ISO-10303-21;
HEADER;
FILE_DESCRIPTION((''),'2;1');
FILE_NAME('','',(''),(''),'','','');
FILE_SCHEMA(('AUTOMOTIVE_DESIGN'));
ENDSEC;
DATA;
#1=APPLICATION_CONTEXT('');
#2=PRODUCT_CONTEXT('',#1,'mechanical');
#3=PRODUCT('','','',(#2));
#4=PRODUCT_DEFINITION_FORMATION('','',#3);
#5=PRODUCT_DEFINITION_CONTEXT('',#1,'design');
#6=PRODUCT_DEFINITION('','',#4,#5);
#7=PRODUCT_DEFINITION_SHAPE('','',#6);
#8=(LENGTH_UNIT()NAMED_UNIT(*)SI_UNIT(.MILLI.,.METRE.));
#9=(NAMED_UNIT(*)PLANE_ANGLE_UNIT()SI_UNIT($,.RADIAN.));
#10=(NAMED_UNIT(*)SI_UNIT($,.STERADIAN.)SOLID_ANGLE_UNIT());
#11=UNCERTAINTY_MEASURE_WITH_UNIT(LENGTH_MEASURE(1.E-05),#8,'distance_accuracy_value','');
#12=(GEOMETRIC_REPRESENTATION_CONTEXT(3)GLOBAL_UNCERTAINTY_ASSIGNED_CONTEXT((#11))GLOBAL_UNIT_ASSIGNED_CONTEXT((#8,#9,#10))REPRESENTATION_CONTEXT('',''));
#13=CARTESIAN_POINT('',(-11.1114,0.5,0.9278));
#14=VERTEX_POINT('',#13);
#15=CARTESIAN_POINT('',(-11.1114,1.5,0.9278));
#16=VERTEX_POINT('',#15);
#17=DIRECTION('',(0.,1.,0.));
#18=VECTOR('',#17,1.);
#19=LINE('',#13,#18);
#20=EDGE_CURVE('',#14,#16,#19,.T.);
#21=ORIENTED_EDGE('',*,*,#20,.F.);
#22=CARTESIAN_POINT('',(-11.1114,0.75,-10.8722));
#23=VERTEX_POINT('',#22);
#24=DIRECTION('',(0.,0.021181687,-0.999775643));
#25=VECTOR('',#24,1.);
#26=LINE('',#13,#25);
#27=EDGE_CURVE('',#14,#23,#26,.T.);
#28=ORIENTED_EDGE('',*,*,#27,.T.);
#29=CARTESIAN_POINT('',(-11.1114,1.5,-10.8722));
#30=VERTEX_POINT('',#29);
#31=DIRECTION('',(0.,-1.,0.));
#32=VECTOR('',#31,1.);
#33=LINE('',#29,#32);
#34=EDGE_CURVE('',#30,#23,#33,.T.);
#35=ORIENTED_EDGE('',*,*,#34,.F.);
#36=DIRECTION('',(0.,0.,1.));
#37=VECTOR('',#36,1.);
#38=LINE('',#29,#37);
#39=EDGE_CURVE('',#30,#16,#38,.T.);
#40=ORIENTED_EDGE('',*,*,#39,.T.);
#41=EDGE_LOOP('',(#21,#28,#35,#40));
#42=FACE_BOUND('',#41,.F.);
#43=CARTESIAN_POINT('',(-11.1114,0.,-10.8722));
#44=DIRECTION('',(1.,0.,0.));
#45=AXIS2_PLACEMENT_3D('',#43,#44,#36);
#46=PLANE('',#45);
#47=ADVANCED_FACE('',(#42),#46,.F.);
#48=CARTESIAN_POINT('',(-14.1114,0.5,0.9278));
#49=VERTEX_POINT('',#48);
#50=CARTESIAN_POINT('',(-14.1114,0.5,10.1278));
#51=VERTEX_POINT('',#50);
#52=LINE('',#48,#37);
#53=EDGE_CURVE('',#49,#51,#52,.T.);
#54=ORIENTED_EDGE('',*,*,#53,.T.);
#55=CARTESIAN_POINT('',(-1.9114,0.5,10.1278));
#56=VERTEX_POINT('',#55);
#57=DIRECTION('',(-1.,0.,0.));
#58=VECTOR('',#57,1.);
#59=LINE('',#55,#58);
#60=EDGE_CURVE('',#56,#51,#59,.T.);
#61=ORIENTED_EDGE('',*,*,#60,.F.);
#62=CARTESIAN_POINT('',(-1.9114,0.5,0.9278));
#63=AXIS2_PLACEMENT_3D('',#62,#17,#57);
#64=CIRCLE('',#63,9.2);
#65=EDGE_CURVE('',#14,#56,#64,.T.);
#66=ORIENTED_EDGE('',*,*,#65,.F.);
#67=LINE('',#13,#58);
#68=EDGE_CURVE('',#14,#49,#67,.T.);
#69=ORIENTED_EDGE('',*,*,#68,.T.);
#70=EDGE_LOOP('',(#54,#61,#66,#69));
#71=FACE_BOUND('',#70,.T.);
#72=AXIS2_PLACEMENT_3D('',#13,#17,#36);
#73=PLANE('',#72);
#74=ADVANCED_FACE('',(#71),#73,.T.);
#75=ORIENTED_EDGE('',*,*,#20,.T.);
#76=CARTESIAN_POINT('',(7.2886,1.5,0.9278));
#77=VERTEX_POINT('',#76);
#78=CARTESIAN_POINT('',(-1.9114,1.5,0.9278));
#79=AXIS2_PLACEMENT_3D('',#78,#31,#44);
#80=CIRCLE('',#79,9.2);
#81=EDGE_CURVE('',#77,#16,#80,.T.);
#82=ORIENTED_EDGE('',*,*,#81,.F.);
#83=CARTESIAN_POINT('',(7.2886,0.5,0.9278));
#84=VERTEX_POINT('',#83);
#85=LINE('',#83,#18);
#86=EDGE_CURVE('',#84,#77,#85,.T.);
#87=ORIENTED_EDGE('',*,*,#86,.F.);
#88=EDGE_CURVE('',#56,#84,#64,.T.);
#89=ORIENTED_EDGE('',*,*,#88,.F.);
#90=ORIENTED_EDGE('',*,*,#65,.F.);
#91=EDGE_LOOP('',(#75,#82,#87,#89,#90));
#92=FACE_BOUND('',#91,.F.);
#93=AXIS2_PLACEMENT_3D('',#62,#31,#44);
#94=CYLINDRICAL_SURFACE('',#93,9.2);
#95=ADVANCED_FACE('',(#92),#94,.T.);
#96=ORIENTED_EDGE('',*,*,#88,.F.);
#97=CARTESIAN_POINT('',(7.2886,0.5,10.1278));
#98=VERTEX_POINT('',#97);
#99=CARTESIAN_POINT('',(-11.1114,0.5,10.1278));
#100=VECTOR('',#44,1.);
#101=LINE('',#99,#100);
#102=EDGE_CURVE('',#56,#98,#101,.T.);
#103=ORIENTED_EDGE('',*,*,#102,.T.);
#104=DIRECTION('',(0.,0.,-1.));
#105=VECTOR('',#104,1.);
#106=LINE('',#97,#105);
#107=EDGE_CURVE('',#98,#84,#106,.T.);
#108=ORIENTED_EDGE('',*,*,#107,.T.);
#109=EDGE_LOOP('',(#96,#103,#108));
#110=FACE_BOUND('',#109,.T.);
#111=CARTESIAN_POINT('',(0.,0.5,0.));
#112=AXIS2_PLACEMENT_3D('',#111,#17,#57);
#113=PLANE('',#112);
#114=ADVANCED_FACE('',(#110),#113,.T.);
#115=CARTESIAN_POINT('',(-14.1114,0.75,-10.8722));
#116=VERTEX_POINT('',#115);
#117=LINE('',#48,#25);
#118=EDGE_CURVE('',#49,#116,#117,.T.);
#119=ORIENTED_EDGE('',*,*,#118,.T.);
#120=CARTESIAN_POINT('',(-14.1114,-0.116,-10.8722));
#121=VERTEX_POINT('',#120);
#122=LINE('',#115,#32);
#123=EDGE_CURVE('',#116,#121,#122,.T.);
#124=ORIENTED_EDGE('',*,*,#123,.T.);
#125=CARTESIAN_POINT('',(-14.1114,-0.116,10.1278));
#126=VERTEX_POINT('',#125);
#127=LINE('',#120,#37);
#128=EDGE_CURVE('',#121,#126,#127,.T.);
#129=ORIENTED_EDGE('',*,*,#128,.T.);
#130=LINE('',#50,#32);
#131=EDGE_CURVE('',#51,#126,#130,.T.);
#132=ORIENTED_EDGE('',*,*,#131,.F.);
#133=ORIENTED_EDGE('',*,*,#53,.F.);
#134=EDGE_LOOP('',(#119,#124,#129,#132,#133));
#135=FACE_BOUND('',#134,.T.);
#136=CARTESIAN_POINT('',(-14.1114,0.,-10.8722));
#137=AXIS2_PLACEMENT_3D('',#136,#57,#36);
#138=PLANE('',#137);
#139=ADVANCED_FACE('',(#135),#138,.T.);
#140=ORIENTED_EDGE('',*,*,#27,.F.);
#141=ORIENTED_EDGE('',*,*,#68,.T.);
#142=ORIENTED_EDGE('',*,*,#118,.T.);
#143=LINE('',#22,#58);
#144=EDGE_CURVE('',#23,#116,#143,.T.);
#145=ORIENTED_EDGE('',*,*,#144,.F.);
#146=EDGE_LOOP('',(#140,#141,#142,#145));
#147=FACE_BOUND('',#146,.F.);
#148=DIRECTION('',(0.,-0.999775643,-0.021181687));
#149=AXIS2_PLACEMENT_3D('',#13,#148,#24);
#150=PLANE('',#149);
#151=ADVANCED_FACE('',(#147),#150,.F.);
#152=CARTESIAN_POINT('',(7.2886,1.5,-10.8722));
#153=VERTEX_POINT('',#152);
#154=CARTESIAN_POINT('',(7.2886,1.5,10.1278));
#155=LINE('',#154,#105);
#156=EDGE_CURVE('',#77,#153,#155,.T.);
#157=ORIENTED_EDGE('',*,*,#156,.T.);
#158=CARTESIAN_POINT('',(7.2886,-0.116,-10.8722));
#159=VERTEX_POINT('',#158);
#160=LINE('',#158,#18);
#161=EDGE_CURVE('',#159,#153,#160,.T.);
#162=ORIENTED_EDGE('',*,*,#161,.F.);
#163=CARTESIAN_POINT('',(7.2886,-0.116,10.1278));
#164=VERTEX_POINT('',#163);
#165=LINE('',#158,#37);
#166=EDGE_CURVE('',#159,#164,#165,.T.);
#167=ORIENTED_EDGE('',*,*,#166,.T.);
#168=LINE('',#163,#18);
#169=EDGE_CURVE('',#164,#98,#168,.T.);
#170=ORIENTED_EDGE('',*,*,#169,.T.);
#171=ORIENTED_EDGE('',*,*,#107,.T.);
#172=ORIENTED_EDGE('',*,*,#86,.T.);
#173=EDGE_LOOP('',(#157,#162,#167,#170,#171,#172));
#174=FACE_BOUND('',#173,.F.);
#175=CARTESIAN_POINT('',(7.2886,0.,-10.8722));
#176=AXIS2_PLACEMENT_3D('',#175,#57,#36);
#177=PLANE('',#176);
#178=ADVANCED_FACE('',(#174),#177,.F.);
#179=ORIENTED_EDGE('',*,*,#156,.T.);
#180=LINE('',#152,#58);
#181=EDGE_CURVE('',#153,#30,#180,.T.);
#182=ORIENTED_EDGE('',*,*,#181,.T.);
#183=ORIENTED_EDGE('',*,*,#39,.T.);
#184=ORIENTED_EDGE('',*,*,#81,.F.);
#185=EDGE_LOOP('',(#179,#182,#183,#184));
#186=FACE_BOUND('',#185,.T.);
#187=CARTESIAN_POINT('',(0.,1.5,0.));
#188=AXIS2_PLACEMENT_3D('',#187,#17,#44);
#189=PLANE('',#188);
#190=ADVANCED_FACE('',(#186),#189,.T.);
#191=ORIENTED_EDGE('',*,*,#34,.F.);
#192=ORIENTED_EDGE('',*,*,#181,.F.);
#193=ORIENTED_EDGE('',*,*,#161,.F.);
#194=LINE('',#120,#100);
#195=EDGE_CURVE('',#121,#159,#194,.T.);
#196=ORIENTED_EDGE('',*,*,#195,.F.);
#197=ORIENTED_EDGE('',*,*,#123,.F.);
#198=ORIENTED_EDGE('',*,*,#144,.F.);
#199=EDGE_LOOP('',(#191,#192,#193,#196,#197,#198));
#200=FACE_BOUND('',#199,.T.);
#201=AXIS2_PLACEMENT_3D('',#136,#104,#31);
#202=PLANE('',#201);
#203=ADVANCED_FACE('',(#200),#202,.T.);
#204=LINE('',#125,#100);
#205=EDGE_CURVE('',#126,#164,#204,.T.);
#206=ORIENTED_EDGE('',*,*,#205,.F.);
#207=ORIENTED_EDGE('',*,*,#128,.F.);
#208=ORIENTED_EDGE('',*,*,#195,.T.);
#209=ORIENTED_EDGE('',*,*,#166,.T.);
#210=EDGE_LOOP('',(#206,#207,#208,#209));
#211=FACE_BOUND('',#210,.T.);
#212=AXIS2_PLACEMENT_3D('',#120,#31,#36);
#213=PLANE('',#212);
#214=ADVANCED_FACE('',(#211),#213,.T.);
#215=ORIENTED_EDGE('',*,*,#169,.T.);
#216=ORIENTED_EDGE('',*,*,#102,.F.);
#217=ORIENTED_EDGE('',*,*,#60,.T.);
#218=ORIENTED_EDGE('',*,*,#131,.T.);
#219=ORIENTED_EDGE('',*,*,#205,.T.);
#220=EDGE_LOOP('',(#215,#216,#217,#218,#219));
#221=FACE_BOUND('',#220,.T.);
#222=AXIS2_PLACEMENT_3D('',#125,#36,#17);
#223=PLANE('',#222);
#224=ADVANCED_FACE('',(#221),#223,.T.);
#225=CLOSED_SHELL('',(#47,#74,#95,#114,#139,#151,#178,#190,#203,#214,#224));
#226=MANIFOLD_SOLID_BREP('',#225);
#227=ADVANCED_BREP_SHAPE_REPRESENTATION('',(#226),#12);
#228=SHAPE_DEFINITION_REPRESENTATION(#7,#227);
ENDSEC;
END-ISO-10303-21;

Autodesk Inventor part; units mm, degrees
ref_plane "YZ Plane" through (0, 0, 0) normal (1, 0, 0) x (0, 1, 0)
ref_plane "XZ Plane" through (0, 0, 0) normal (0, 1, 0) x (-1, 0, 0)
ref_plane "XY Plane" through (0, 0, 0) normal (0, 0, 1) x (1, 0, 0)
sketch "Sketch1" plane through (0, 0, 0) normal (0, 0, 1) x (1, 0, 0)
  point P0 (0, 0)
sketch "Sketch2" plane through (0, 0, 0) normal (0, 1, 0) x (-1, 0, 0)
  line L0 (11.1114, 10.1278) -> (-7.2886, 10.1278)
  line L1 (-7.2886, 10.1278) -> (-7.2886, -10.8722)
  line L2 (-7.2886, -10.8722) -> (11.1114, -10.8722)
  line L3 (11.1114, -10.8722) -> (11.1114, 10.1278)
  point P0 (0, 0)
  dimension "d0" = 21
  dimension "d1" = 18.4
extrude "Extrusion1" add sketch "Sketch2" along normal blind 0.5
sketch "Sketch3" plane through (0, 0.5, 0) normal (0, 1, 0) x (1, 0, 0)
  circle A0 centre (-1.9114, -0.9278) radius 9.2
  line L0 (-11.1114, -10.1278) -> (7.2886, -10.1278) projected
  line L1 (7.2886, -10.1278) -> (7.2886, 10.8722) projected
  line L2 (7.2886, -10.1278) -> (7.2886, 10.8722) projected
  line L3 (7.2886, 10.8722) -> (-11.1114, 10.8722) projected
  line L4 (-11.1114, 10.8722) -> (-11.1114, -10.1278) projected
  line L5 (-11.1114, -10.1278) -> (7.2886, -10.1278) projected
  point P0 (0, 0)
  point P1 (-11.1114, -0.9278)
  point P2 (7.2886, -0.9278)
  dimension "d4" = 18.4
extrude "Extrusion2" add sketch "Sketch3" along normal blind 1 contours A0 | A0 L4 L3 L1
sketch "Sketch6" plane through (-11.1114, 0, -10.8722) normal (-1, 0, 0) x (0, 0, 1)
  line L0 (0, 0) -> (21, 0) projected
  line L1 (21, 0) -> (21, 0.5) projected
  line L2 (11.8, 0.5) -> (21, 0.5) projected
  line L3 (11.8, 0.5) -> (11.8, 1.5) projected
  line L4 (0, 1.5) -> (11.8, 1.5) projected
  line L5 (0, 0) -> (0, 1.5) projected
  line L6 (11.8, 0.5) -> (0, 0.75)
  point P0 (10.8722, 0)
extrude "Extrusion4" add sketch "Sketch6" along normal blind 3 contours L5 L6 L2 L1 L0
sketch "Sketch7" plane through (-14.1114, 0, -10.8722) normal (-1, 0, 0) x (0, 0, 1)
  line L0 (0, 0) -> (0, 1.5) projected
  line L1 (0, 0.75) -> (0, -0.116)
  line L2 (0, -0.116) -> (21, -0.116)
  line L3 (0, 0) -> (21, 0) projected
  line L4 (21, -0.116) -> (21, 0)
  point P0 (10.8722, 0)
  dimension "d11" = 0.866
extrude "Extrusion5" add sketch "Sketch7" against normal up to surface (21.4 mm away)
properties part number "klapka"
